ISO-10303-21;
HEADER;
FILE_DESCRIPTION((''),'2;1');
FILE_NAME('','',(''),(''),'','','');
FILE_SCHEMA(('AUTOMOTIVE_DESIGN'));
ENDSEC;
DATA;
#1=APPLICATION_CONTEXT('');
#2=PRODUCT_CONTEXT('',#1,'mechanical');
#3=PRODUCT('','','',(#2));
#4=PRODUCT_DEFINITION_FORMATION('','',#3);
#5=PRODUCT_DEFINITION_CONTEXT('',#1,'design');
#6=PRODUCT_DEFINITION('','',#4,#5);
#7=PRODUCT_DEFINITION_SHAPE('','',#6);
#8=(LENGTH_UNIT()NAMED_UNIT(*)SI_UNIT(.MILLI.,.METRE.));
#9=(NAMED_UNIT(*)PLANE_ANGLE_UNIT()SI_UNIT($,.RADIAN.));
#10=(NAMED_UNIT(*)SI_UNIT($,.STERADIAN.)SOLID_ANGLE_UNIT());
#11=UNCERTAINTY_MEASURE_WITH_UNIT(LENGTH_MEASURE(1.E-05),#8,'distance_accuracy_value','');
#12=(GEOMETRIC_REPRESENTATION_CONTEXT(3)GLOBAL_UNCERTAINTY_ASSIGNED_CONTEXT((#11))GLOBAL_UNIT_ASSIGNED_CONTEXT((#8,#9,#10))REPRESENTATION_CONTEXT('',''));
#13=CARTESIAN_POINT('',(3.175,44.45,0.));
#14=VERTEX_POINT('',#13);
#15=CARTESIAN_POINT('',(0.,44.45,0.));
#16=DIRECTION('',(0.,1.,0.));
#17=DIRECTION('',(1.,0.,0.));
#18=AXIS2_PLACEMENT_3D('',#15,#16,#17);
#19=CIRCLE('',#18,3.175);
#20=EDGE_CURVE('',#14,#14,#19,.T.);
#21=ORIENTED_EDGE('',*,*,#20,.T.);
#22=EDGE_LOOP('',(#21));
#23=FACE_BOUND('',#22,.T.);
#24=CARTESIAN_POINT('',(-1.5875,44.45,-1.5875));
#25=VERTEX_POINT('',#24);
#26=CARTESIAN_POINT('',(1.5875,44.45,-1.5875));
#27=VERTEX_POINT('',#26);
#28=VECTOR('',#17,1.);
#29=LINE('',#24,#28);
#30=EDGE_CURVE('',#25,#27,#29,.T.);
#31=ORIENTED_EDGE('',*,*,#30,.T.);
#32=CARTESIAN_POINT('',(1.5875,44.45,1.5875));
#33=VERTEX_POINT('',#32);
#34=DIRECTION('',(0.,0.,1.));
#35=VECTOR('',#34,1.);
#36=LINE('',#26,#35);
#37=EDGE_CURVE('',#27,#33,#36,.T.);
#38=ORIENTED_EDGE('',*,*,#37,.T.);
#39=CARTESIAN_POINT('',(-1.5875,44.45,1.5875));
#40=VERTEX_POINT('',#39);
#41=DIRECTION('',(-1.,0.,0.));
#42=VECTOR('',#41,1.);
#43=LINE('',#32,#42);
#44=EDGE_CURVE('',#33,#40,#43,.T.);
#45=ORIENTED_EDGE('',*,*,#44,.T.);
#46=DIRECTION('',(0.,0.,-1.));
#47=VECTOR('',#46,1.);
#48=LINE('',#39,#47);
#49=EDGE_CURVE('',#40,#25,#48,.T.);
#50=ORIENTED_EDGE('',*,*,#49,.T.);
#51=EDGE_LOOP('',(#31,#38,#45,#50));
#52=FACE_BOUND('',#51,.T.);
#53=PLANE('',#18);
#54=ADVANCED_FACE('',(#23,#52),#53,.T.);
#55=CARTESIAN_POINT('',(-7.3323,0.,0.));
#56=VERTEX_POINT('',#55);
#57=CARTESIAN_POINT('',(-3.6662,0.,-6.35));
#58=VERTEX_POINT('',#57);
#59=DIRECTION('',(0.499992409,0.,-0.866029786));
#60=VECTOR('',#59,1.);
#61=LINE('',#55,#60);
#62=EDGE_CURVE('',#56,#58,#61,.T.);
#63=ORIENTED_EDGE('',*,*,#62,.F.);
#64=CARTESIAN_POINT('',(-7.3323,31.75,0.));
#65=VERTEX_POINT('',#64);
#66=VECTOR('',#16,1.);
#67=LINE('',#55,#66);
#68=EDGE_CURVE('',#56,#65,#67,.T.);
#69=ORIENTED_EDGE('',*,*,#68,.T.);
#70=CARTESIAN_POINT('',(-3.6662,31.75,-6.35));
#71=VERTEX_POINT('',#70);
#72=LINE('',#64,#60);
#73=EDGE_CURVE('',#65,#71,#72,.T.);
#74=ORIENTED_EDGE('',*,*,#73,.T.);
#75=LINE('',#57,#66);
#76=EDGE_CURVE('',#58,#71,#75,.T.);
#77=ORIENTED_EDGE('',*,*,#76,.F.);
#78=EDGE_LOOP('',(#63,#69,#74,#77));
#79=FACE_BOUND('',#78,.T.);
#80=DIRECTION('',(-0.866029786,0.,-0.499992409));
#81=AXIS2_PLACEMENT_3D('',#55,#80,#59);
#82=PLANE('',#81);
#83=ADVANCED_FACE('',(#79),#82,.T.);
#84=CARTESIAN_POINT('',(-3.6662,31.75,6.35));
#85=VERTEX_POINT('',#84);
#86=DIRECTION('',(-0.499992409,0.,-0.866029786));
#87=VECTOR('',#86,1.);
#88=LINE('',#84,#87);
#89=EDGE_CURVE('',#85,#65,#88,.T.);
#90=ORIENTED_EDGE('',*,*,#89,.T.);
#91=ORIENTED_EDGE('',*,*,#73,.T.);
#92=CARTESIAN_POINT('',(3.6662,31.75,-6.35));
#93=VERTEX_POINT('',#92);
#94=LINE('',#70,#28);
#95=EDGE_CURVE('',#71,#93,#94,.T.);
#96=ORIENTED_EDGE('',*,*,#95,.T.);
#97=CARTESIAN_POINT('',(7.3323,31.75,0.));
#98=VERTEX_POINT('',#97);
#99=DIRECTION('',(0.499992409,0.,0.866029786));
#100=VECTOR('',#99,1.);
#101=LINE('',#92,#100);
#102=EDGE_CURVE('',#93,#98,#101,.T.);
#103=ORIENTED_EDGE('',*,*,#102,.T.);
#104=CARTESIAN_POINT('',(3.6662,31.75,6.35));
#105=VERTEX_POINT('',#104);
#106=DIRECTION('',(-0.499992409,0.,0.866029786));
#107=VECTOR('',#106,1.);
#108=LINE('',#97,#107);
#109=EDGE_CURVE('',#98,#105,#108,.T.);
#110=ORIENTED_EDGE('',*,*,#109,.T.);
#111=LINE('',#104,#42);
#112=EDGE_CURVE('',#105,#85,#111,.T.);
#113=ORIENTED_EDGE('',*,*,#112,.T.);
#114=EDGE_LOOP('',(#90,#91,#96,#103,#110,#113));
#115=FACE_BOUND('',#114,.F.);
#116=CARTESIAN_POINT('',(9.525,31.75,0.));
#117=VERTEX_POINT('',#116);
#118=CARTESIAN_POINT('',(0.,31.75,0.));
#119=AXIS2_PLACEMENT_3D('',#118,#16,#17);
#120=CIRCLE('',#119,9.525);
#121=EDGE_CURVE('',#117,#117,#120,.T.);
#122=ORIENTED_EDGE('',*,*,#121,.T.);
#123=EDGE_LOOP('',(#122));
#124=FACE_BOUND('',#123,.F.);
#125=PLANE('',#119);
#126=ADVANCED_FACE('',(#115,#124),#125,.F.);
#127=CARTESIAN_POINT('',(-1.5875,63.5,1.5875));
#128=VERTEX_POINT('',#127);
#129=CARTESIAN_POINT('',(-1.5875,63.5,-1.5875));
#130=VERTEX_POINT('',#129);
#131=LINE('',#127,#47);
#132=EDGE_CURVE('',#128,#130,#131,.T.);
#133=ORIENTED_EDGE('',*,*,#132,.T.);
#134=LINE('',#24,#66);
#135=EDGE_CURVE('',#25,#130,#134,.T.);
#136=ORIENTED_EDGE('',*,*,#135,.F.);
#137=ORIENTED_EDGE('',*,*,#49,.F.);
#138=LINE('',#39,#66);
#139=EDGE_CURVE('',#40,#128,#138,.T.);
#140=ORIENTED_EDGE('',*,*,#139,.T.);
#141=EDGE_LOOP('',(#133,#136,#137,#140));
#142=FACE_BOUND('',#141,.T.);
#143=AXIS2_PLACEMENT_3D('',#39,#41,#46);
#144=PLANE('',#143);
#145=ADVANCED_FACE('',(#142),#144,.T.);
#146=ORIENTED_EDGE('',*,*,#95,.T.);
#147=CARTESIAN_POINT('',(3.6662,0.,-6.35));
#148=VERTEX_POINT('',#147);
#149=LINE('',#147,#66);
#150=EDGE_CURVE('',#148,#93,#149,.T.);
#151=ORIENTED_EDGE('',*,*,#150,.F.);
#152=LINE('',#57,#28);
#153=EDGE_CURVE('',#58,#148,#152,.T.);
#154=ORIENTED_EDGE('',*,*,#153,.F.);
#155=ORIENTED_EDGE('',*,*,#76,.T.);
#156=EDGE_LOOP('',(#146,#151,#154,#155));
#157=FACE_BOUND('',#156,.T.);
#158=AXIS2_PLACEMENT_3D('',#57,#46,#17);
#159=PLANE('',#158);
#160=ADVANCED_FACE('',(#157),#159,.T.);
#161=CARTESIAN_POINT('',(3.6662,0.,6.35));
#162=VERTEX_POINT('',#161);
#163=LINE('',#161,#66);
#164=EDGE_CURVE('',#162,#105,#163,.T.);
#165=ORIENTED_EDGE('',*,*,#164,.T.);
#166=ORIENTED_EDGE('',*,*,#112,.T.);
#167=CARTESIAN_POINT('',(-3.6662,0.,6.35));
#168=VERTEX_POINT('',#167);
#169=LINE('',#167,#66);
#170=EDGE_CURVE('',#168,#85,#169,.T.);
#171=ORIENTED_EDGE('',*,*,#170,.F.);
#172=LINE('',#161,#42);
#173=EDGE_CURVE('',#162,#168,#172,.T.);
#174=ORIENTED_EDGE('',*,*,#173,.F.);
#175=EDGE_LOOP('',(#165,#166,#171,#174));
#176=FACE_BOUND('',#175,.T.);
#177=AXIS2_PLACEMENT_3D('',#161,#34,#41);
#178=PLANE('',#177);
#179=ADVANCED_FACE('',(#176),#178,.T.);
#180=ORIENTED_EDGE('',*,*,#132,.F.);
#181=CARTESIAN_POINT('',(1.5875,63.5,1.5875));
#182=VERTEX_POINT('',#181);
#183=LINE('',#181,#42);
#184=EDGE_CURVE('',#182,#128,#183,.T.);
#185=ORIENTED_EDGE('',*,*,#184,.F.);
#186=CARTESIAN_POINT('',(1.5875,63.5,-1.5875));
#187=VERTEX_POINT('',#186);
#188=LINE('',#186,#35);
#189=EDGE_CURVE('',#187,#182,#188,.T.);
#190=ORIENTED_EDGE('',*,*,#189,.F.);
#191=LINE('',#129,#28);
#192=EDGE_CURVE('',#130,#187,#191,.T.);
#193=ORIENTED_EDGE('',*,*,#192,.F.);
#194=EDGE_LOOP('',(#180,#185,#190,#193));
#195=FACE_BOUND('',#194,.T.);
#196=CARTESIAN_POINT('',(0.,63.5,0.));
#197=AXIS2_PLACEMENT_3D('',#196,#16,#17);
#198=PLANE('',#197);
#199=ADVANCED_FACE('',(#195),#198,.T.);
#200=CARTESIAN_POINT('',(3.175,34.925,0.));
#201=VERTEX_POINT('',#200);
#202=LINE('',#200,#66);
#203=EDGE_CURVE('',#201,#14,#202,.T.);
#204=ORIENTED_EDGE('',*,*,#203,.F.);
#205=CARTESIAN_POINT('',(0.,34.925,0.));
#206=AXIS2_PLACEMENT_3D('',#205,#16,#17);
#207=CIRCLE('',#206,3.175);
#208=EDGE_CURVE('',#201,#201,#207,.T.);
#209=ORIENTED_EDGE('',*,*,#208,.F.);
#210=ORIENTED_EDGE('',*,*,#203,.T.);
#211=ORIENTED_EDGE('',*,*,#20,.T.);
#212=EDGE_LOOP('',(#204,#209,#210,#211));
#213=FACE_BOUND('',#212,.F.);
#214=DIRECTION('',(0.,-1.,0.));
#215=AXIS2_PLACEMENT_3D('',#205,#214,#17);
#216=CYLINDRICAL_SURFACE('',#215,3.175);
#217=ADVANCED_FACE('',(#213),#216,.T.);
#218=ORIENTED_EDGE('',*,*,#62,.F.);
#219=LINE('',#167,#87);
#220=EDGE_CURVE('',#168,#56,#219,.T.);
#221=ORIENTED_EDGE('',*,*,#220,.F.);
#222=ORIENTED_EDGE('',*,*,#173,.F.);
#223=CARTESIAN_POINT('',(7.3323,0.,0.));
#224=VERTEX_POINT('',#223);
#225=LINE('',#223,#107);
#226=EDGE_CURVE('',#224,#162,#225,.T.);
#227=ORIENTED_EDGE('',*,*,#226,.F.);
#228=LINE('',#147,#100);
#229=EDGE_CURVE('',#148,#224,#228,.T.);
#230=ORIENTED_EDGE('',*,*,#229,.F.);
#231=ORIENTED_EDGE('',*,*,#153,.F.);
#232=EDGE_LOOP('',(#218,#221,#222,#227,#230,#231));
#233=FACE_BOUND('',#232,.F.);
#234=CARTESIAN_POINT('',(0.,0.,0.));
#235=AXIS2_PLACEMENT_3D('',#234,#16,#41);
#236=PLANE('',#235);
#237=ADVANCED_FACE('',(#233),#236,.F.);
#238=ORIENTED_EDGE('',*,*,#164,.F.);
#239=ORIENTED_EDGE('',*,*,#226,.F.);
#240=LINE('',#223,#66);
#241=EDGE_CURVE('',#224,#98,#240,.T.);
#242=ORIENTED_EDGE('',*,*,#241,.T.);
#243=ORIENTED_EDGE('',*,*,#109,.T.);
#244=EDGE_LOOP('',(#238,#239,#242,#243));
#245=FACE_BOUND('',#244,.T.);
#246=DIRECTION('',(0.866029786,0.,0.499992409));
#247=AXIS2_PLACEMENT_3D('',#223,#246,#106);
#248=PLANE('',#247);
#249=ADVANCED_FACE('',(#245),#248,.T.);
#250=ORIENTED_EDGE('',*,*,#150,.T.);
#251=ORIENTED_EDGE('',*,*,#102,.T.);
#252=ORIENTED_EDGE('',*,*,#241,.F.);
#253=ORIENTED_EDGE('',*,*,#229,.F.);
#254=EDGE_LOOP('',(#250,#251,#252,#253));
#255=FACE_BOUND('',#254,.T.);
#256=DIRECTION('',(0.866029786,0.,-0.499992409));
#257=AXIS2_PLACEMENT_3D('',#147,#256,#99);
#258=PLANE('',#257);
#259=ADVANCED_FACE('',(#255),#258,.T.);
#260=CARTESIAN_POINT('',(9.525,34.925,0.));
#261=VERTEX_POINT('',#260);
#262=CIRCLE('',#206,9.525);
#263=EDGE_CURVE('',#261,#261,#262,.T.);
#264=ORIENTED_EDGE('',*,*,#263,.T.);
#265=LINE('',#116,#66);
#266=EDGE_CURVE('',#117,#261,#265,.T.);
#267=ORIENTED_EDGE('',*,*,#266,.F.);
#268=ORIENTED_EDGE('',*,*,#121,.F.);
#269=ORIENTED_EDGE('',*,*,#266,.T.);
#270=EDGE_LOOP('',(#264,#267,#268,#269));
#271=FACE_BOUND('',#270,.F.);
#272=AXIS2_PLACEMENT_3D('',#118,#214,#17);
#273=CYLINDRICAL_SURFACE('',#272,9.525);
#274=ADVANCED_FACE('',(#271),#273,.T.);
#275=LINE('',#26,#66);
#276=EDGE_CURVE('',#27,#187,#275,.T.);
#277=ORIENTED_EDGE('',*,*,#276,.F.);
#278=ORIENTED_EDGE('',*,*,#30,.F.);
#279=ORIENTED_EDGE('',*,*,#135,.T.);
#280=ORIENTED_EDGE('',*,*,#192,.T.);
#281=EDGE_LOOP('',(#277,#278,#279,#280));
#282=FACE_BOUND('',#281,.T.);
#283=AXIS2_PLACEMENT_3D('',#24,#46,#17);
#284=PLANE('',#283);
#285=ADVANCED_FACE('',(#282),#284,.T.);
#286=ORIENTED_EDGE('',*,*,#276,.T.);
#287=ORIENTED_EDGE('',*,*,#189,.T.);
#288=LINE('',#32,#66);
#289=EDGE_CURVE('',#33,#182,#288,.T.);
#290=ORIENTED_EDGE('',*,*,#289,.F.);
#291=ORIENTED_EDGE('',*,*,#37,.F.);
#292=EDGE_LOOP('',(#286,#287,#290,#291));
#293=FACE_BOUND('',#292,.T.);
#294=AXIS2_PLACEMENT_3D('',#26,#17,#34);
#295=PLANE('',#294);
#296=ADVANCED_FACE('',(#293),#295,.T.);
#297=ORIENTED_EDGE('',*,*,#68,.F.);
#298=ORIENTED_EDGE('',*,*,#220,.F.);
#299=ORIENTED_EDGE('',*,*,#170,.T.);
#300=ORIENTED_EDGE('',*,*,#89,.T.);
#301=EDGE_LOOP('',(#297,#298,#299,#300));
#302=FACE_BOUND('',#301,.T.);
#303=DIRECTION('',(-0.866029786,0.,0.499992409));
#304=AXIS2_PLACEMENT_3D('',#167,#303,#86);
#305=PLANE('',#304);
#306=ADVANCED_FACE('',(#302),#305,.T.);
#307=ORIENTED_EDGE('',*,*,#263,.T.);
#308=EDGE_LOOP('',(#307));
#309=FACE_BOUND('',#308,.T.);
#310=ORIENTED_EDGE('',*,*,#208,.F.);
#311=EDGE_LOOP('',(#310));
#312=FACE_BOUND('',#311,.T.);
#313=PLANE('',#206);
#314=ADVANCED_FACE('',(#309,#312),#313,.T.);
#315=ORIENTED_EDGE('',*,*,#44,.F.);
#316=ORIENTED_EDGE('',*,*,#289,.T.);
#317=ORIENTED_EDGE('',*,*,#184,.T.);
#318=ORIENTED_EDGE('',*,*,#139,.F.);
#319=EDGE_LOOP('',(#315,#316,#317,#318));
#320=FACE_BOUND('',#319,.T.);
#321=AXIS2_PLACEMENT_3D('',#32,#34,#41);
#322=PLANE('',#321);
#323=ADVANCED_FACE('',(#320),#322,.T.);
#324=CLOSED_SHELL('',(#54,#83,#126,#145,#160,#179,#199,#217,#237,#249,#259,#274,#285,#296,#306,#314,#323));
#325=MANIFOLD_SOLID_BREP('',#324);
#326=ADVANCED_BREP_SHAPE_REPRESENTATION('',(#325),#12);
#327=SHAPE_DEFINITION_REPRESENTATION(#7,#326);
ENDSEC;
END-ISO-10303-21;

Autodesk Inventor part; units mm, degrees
ref_plane "YZ Plane" through (0, 0, 0) normal (1, 0, 0) x (0, 1, 0)
ref_plane "XZ Plane" through (0, 0, 0) normal (0, 1, 0) x (-1, 0, 0)
ref_plane "XY Plane" through (0, 0, 0) normal (0, 0, 1) x (1, 0, 0)
sketch "Sketch1" plane through (0, 0, 0) normal (0, 1, 0) x (-1, 0, 0)
  line L0 (3.6662, 6.35) -> (7.3323, 0)
  line L1 (7.3323, 0) -> (3.6662, -6.35)
  line L2 (3.6662, -6.35) -> (-3.6662, -6.35)
  line L3 (-3.6662, -6.35) -> (-7.3323, 0)
  line L4 (-7.3323, 0) -> (-3.6662, 6.35)
  line L5 (-3.6662, 6.35) -> (3.6662, 6.35)
  point P0 (0, 0)
  point P1 (0, 0)
  dimension "d0" = 12.7
  dimension "d1" = 0
extrude "Extrusion1" add sketch "Sketch1" along normal blind 31.75
sketch "Sketch2" plane through (0, 31.75, 0) normal (0, 1, 0) x (1, 0, 0)
  circle A0 centre (0, 0) radius 9.525
  dimension "d4" = 19.05
extrude "Extrusion2" add sketch "Sketch2" along normal blind 3.175
sketch "Sketch3" plane through (0, 34.925, 0) normal (0, 1, 0) x (1, 0, 0)
  circle A0 centre (0, 0) radius 3.175
  dimension "d7" = 6.35
extrude "Extrusion3" add sketch "Sketch3" along normal blind 9.525
sketch "Sketch4" plane through (0, 44.45, 0) normal (0, 1, 0) x (1, 0, 0)
  line L0 (1.5875, -1.5875) -> (-1.5875, -1.5875)
  line L1 (-1.5875, -1.5875) -> (-1.5875, 1.5875)
  line L2 (-1.5875, 1.5875) -> (1.5875, 1.5875)
  line L3 (1.5875, 1.5875) -> (1.5875, -1.5875)
  circle A0 centre (0, 0) radius 3.175 projected
  line L4 (1.5875, -1.5875) -> (-1.5875, 1.5875) construction
  line L5 (-1.5875, -1.5875) -> (1.5875, 1.5875) construction
  dimension "d10" = 3.175
  dimension "d11" = 3.175
extrude "Extrusion4" add sketch "Sketch4" along normal blind 19.05 contours L0 L1 L2 L3
properties part number "vex to hex adapter"
